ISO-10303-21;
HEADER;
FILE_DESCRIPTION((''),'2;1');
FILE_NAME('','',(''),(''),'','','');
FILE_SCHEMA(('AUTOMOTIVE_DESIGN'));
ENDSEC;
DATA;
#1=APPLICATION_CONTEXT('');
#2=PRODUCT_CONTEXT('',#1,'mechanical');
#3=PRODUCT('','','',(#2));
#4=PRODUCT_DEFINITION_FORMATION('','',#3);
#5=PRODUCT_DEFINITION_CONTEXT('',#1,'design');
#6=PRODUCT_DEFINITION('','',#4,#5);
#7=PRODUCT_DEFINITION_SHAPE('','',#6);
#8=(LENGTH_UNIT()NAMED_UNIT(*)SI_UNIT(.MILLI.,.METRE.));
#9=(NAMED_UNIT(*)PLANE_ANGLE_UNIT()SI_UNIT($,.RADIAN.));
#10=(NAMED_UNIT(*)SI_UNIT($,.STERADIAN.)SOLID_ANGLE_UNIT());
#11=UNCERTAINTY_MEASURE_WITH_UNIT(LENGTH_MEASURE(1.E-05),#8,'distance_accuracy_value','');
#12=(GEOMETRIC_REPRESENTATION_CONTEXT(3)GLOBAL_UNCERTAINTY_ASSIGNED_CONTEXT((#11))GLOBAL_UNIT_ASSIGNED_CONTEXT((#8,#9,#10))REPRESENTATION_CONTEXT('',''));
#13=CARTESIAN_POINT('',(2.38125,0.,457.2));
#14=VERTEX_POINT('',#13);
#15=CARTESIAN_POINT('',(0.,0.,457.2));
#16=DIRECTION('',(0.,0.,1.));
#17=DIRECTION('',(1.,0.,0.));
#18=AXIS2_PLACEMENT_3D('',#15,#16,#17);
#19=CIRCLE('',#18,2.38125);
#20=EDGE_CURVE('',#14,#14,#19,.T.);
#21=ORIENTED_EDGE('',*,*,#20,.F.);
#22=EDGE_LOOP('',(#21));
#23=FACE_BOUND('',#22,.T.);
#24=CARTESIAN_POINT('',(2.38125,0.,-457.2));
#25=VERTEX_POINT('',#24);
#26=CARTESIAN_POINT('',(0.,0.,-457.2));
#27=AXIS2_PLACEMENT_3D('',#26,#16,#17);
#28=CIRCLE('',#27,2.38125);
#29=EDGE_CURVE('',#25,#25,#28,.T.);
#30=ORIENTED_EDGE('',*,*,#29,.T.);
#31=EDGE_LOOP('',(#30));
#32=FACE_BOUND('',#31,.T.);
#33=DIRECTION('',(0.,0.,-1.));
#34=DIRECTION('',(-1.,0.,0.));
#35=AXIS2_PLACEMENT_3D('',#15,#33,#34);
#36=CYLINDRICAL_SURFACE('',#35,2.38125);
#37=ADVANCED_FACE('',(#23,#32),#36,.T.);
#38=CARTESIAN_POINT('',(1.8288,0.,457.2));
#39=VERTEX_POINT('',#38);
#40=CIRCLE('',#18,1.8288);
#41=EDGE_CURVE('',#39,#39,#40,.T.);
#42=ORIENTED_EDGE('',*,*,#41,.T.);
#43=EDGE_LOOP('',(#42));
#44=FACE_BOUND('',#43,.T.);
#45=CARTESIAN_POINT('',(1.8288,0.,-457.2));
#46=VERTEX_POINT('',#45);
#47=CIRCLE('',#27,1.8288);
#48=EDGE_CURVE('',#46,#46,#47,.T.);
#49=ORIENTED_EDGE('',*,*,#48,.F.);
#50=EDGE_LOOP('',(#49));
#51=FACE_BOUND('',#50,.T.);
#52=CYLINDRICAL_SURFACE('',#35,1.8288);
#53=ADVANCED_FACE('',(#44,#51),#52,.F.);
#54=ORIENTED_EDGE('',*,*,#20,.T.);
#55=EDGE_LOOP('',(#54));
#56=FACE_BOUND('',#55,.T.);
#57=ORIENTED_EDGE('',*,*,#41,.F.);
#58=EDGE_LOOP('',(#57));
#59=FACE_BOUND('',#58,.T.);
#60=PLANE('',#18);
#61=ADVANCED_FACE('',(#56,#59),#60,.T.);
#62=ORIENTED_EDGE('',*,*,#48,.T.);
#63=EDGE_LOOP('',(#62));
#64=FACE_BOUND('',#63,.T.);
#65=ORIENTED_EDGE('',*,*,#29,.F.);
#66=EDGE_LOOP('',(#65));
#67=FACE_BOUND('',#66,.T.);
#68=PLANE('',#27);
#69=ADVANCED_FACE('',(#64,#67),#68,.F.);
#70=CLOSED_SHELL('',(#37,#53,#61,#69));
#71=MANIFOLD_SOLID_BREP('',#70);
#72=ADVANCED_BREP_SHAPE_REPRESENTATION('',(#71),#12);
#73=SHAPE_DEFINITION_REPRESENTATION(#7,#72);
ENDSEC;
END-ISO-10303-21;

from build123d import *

# Parameters (mm, degrees)
SKETCH3_R           = 2.38125
SKETCH3_R_2         = 1.8288
BOSS_EXTRUDE1_DEPTH = 457.2


with BuildPart() as part:
    # Sketch3 → Boss-Extrude1 (new, symmetric)
    with BuildSketch(Plane.XY):
        Circle(SKETCH3_R)
        Circle(SKETCH3_R_2, mode=Mode.SUBTRACT)
    extrude(amount=BOSS_EXTRUDE1_DEPTH, both=True)


solid = part.part
